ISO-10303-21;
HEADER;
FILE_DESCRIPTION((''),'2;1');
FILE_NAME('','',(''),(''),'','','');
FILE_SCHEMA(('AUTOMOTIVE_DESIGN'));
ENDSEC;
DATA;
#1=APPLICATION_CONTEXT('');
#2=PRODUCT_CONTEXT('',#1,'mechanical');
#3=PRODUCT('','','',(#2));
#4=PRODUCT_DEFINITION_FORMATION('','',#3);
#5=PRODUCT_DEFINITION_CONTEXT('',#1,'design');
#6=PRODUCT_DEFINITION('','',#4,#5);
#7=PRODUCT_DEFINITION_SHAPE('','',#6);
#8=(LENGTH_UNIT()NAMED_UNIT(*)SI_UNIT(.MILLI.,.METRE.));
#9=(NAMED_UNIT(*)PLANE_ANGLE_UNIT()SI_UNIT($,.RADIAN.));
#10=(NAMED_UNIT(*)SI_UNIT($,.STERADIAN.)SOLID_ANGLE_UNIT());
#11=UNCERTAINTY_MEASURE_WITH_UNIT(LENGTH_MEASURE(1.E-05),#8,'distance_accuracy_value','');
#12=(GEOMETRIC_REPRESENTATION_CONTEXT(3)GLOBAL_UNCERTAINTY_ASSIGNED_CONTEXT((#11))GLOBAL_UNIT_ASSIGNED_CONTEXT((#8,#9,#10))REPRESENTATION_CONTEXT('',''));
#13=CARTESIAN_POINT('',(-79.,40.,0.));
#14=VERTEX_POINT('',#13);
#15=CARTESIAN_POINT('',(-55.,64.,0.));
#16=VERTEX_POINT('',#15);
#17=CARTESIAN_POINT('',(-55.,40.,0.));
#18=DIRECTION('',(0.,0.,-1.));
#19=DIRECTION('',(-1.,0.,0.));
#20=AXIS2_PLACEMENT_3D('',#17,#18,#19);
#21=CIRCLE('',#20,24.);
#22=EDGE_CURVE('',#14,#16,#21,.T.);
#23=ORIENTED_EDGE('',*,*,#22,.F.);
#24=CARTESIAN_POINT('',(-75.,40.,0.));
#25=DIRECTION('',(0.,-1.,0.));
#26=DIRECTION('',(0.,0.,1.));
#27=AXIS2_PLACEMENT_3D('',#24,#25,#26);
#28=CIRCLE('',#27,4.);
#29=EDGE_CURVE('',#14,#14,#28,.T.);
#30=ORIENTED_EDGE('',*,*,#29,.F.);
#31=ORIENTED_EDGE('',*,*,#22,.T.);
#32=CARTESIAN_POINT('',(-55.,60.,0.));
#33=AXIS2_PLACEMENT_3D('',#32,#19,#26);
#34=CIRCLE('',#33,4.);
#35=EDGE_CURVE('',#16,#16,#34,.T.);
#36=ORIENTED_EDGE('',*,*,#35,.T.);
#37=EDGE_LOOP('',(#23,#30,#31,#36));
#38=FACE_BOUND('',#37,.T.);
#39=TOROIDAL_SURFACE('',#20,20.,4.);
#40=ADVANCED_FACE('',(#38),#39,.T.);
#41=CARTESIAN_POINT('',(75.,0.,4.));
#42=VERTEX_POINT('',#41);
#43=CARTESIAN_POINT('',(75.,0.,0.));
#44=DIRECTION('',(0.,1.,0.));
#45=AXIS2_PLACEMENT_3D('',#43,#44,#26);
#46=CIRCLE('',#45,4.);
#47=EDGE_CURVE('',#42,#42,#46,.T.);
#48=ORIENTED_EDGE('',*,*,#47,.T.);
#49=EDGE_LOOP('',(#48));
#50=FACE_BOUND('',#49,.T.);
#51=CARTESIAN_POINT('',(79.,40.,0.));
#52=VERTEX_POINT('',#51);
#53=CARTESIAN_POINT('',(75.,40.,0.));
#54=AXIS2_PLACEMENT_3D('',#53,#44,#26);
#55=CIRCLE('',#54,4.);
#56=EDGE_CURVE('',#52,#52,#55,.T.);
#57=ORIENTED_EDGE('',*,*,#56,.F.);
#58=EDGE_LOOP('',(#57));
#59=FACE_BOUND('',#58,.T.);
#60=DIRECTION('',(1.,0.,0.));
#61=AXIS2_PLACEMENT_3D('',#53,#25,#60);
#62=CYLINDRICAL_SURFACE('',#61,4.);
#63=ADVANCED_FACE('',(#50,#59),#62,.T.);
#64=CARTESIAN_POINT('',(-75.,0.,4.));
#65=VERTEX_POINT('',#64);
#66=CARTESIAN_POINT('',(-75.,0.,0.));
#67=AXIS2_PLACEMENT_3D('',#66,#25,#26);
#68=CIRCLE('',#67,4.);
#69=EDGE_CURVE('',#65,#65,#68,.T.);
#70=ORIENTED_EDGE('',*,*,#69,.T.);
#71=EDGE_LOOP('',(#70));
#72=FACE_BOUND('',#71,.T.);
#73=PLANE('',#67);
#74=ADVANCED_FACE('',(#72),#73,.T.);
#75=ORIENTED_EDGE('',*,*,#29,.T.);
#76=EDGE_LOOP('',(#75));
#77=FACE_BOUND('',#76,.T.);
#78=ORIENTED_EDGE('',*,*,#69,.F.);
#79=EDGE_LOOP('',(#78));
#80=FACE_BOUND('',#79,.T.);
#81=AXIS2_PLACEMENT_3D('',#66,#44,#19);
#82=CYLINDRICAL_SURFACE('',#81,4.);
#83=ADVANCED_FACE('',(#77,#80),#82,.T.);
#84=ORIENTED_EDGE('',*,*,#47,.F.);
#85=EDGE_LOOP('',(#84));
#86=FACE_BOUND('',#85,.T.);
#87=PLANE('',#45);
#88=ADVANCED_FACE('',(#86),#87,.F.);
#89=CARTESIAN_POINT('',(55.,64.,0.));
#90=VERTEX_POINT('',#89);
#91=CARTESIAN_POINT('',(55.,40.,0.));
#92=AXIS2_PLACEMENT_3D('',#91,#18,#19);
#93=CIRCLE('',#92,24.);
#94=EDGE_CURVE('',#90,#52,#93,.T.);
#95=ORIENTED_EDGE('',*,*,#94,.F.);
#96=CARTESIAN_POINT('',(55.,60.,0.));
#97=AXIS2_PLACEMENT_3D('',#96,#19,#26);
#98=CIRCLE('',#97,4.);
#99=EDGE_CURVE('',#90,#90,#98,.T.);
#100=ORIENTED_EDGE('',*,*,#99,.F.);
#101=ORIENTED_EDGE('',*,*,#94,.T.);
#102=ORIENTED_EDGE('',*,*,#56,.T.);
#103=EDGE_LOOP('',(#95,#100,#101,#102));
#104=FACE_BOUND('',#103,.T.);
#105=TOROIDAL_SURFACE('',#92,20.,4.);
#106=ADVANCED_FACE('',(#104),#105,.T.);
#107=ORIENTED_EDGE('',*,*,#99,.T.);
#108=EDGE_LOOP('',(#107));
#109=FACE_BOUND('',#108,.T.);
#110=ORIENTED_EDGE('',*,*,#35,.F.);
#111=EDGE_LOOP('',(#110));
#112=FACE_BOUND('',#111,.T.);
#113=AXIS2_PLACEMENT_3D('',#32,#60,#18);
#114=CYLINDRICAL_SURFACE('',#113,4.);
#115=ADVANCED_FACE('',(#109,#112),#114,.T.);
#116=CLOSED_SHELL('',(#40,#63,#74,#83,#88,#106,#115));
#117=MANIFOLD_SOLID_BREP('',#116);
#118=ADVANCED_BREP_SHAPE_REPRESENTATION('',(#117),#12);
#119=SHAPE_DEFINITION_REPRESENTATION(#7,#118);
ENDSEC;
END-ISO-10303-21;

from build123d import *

# Parameters (mm, degrees)
SWEEP1_PROFILE_R = 4


with BuildPart() as part:
    # Sweep1: sweep along a path in Sketch1
    with BuildLine(Plane.XY) as sweep1_path:
        Line((-75, 0), (-75, 40))
        ThreePointArc((-75, 40), (-69.142135624, 54.142135624), (-55, 60))
        Line((-55, 60), (55, 60))
        ThreePointArc((55, 60), (69.142135624, 54.142135624), (75, 40))
        Line((75, 40), (75, 0))
    # Sweep1 profile (on start of the path) → Sweep1 (sweep)
    with BuildSketch(Plane(origin=(-75, 0, 0), x_dir=(1, 0, 0), z_dir=(0, 1, 0))):
        Circle(SWEEP1_PROFILE_R)
    sweep(path=sweep1_path.line)


solid = part.part
